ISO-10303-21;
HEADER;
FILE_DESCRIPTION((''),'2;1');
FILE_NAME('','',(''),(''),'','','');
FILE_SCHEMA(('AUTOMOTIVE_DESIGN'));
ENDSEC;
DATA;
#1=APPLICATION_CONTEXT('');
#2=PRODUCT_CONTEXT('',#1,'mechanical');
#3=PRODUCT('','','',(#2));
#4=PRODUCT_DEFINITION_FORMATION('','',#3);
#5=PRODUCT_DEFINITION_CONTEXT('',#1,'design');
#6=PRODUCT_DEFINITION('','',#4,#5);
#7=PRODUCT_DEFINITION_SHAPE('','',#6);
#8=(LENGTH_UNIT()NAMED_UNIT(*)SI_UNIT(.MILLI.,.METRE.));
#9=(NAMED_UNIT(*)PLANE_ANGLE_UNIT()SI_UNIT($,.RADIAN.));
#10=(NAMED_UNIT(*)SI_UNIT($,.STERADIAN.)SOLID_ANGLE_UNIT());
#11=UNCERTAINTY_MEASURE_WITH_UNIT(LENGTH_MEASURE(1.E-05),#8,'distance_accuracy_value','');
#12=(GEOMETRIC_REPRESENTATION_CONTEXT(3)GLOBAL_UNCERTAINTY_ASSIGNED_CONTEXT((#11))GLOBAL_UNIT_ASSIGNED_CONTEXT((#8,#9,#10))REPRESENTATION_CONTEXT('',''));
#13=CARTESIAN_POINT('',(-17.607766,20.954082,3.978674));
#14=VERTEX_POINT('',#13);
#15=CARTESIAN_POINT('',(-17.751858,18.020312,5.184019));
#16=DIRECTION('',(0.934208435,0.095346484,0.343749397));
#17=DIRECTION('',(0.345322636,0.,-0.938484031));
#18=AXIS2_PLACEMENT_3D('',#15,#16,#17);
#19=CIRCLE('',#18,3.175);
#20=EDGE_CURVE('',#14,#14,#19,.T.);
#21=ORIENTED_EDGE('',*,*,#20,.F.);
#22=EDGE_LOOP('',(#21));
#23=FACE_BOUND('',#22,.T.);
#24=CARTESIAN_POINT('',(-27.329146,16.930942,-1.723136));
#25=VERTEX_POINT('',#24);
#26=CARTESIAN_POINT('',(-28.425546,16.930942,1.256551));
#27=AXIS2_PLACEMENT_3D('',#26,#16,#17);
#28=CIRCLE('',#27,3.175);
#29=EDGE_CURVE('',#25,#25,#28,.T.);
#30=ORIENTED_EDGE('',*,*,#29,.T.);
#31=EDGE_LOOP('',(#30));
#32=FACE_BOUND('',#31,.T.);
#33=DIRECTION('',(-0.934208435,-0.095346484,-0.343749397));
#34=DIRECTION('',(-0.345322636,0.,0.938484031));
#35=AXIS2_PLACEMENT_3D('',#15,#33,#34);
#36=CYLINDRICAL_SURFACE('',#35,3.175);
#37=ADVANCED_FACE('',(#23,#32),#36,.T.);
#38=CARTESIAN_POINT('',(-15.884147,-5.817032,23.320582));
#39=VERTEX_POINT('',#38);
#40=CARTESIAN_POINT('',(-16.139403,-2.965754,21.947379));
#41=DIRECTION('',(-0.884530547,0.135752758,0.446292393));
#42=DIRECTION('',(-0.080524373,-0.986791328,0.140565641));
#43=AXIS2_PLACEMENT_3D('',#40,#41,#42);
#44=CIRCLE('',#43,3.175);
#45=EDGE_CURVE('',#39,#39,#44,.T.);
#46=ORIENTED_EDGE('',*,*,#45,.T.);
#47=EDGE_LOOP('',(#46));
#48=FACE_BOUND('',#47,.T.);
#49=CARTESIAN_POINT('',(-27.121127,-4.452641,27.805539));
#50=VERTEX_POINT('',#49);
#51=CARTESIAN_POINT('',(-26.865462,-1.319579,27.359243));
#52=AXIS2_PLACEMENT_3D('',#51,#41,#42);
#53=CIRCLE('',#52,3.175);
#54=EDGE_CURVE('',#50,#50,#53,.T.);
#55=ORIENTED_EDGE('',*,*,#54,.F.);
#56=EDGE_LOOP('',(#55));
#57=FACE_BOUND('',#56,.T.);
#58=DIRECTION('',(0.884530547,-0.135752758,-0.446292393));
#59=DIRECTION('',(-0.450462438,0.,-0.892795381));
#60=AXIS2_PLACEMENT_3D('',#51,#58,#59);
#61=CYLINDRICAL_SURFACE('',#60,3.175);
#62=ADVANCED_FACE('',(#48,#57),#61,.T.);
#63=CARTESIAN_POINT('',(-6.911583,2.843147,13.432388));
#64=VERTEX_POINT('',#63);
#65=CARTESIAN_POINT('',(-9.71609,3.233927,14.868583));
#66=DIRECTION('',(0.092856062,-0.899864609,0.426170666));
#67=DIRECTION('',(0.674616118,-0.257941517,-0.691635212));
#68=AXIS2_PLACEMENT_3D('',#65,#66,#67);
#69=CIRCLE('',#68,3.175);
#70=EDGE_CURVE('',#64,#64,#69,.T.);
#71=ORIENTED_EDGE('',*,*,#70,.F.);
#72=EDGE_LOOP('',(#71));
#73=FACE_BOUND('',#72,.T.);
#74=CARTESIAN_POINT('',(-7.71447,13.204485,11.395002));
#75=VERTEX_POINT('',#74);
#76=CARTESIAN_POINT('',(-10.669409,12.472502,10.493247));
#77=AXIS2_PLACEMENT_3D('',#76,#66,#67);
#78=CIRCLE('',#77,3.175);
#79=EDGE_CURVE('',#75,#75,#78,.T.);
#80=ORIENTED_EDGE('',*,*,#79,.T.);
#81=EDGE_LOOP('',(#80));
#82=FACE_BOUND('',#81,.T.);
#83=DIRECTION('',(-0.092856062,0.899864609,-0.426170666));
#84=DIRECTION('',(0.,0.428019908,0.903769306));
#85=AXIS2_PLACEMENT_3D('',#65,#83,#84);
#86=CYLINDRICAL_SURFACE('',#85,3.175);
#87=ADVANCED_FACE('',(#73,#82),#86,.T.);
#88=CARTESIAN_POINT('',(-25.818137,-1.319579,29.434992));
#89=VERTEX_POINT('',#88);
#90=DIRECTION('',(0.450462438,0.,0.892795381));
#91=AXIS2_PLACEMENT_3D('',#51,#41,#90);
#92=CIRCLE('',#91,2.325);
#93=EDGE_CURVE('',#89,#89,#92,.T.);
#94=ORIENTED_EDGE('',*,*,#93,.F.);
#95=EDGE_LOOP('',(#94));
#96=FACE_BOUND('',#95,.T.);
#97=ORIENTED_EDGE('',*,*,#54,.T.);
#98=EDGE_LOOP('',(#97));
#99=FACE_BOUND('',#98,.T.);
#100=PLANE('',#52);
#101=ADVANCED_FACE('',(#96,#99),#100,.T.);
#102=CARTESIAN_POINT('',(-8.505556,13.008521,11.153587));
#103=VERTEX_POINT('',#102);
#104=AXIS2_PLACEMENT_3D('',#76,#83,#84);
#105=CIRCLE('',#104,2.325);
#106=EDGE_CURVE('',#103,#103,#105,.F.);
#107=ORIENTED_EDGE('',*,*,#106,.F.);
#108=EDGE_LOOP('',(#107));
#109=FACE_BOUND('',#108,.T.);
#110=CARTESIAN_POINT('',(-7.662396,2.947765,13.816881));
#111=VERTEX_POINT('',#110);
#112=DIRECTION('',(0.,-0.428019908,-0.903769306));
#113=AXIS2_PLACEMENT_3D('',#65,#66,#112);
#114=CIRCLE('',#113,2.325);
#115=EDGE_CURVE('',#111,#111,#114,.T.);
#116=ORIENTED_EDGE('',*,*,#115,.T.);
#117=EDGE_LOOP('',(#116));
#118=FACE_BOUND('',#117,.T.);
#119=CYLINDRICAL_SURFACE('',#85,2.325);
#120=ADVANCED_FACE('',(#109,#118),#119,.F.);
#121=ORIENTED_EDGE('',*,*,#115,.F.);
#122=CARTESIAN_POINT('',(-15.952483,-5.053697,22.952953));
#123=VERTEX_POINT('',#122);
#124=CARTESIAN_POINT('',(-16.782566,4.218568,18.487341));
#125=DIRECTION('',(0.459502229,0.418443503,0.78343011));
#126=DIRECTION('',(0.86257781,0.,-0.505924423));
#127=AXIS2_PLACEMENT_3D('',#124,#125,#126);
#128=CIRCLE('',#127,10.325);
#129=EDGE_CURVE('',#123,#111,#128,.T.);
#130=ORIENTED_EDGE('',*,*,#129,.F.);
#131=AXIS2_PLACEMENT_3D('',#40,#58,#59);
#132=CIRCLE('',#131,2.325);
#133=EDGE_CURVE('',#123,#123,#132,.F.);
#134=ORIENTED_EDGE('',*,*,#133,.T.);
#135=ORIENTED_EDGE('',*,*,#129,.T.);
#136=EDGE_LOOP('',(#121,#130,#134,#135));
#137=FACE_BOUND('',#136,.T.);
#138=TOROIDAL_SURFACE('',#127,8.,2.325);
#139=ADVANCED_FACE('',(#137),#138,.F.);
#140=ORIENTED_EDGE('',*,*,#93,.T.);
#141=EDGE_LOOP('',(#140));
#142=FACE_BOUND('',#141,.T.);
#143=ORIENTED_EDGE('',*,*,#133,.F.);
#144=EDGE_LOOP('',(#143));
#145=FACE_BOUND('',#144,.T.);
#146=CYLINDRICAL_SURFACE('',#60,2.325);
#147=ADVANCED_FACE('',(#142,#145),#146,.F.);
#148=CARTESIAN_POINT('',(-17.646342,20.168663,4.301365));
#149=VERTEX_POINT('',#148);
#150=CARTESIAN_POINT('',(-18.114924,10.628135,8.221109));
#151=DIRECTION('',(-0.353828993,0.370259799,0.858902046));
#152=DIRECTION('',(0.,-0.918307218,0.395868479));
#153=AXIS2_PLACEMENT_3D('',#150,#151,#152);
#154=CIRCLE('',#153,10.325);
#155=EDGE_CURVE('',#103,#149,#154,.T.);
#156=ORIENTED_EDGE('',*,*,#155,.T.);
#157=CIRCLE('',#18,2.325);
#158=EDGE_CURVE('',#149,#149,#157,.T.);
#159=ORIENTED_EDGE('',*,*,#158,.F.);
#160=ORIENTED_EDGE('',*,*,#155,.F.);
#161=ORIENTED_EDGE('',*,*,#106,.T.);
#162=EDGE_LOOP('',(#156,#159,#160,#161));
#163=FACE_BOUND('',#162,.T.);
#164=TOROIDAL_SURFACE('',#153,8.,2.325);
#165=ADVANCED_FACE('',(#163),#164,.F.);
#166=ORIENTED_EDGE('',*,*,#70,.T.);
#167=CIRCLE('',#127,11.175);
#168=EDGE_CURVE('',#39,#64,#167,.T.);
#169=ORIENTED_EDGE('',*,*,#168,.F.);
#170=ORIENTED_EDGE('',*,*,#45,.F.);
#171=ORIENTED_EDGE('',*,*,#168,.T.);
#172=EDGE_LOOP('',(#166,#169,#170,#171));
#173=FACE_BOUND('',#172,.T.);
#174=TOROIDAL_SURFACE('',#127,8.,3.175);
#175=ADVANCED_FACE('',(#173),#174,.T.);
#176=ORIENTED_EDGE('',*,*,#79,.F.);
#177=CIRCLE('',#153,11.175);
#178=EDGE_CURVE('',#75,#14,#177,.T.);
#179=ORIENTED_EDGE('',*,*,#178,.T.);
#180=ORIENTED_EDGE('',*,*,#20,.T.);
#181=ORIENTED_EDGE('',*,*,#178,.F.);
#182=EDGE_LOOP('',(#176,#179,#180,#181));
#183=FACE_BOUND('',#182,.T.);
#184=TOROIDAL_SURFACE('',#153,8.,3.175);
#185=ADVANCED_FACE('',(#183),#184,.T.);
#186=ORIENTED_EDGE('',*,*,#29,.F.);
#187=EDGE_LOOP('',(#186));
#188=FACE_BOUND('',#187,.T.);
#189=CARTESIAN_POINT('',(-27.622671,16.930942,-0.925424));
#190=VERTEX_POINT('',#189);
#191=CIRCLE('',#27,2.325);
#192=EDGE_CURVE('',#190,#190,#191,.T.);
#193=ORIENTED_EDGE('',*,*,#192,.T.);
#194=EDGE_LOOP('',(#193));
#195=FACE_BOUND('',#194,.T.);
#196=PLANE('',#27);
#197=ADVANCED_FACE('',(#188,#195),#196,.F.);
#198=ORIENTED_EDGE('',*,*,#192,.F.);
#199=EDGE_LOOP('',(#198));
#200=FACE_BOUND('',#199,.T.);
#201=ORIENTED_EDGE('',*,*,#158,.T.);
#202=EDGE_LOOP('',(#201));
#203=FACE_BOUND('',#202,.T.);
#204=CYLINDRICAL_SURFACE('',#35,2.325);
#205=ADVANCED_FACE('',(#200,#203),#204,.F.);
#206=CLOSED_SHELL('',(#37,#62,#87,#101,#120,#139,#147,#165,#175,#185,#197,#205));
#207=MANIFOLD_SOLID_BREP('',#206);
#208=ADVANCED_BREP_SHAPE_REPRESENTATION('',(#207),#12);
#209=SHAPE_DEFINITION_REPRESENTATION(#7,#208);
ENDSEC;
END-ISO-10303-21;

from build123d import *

# Parameters (mm, degrees)
SWEEP_SOTTILE1_PROFILE_R   = 3.175
SWEEP_SOTTILE1_PROFILE_R_2 = 2.325


with BuildPart() as part:
    # Sweep-Sottile1: sweep along a curve in space
    with BuildLine() as sweep_sottile1_path:
        Line((-26.865462484, -1.319578805, 27.359243174), (-21.558279201, -2.134095351, 24.681488818))
        Line((-16.139402673, -2.965753945, 21.94737932), (-21.558279201, -2.134095351, 24.681488818))
        ThreePointArc((-16.139402673, -2.965753945, 21.94737932), (-11.292193729, -1.598909493, 18.374309487), (-9.716090498, 3.233926671, 14.868582806))
        Line((-10.669409144, 12.472501866, 10.493247115), (-9.716090498, 3.233926671, 14.868582806))
        ThreePointArc((-17.751858156, 18.020311785, 5.184019113), (-12.960366508, 16.725311229, 7.716153393), (-10.669409144, 12.472501866, 10.493247115))
        Line((-17.751858156, 18.020311785, 5.184019113), (-28.425545748, 16.930941853, 1.25655118))
    # Sweep-Sottile1 profile (on start of the path) → Sweep-Sottile1 (sweep)
    with BuildSketch(Plane(origin=(-26.865462484, -1.319578805, 27.359243174), x_dir=(0.45046243787724455, 0, 0.8927953808469719), z_dir=(0.8845305472584387, -0.13575275761311742, -0.44629239268345283))):
        Circle(SWEEP_SOTTILE1_PROFILE_R)
        Circle(SWEEP_SOTTILE1_PROFILE_R_2, mode=Mode.SUBTRACT)
    sweep(path=sweep_sottile1_path.line)


solid = part.part
